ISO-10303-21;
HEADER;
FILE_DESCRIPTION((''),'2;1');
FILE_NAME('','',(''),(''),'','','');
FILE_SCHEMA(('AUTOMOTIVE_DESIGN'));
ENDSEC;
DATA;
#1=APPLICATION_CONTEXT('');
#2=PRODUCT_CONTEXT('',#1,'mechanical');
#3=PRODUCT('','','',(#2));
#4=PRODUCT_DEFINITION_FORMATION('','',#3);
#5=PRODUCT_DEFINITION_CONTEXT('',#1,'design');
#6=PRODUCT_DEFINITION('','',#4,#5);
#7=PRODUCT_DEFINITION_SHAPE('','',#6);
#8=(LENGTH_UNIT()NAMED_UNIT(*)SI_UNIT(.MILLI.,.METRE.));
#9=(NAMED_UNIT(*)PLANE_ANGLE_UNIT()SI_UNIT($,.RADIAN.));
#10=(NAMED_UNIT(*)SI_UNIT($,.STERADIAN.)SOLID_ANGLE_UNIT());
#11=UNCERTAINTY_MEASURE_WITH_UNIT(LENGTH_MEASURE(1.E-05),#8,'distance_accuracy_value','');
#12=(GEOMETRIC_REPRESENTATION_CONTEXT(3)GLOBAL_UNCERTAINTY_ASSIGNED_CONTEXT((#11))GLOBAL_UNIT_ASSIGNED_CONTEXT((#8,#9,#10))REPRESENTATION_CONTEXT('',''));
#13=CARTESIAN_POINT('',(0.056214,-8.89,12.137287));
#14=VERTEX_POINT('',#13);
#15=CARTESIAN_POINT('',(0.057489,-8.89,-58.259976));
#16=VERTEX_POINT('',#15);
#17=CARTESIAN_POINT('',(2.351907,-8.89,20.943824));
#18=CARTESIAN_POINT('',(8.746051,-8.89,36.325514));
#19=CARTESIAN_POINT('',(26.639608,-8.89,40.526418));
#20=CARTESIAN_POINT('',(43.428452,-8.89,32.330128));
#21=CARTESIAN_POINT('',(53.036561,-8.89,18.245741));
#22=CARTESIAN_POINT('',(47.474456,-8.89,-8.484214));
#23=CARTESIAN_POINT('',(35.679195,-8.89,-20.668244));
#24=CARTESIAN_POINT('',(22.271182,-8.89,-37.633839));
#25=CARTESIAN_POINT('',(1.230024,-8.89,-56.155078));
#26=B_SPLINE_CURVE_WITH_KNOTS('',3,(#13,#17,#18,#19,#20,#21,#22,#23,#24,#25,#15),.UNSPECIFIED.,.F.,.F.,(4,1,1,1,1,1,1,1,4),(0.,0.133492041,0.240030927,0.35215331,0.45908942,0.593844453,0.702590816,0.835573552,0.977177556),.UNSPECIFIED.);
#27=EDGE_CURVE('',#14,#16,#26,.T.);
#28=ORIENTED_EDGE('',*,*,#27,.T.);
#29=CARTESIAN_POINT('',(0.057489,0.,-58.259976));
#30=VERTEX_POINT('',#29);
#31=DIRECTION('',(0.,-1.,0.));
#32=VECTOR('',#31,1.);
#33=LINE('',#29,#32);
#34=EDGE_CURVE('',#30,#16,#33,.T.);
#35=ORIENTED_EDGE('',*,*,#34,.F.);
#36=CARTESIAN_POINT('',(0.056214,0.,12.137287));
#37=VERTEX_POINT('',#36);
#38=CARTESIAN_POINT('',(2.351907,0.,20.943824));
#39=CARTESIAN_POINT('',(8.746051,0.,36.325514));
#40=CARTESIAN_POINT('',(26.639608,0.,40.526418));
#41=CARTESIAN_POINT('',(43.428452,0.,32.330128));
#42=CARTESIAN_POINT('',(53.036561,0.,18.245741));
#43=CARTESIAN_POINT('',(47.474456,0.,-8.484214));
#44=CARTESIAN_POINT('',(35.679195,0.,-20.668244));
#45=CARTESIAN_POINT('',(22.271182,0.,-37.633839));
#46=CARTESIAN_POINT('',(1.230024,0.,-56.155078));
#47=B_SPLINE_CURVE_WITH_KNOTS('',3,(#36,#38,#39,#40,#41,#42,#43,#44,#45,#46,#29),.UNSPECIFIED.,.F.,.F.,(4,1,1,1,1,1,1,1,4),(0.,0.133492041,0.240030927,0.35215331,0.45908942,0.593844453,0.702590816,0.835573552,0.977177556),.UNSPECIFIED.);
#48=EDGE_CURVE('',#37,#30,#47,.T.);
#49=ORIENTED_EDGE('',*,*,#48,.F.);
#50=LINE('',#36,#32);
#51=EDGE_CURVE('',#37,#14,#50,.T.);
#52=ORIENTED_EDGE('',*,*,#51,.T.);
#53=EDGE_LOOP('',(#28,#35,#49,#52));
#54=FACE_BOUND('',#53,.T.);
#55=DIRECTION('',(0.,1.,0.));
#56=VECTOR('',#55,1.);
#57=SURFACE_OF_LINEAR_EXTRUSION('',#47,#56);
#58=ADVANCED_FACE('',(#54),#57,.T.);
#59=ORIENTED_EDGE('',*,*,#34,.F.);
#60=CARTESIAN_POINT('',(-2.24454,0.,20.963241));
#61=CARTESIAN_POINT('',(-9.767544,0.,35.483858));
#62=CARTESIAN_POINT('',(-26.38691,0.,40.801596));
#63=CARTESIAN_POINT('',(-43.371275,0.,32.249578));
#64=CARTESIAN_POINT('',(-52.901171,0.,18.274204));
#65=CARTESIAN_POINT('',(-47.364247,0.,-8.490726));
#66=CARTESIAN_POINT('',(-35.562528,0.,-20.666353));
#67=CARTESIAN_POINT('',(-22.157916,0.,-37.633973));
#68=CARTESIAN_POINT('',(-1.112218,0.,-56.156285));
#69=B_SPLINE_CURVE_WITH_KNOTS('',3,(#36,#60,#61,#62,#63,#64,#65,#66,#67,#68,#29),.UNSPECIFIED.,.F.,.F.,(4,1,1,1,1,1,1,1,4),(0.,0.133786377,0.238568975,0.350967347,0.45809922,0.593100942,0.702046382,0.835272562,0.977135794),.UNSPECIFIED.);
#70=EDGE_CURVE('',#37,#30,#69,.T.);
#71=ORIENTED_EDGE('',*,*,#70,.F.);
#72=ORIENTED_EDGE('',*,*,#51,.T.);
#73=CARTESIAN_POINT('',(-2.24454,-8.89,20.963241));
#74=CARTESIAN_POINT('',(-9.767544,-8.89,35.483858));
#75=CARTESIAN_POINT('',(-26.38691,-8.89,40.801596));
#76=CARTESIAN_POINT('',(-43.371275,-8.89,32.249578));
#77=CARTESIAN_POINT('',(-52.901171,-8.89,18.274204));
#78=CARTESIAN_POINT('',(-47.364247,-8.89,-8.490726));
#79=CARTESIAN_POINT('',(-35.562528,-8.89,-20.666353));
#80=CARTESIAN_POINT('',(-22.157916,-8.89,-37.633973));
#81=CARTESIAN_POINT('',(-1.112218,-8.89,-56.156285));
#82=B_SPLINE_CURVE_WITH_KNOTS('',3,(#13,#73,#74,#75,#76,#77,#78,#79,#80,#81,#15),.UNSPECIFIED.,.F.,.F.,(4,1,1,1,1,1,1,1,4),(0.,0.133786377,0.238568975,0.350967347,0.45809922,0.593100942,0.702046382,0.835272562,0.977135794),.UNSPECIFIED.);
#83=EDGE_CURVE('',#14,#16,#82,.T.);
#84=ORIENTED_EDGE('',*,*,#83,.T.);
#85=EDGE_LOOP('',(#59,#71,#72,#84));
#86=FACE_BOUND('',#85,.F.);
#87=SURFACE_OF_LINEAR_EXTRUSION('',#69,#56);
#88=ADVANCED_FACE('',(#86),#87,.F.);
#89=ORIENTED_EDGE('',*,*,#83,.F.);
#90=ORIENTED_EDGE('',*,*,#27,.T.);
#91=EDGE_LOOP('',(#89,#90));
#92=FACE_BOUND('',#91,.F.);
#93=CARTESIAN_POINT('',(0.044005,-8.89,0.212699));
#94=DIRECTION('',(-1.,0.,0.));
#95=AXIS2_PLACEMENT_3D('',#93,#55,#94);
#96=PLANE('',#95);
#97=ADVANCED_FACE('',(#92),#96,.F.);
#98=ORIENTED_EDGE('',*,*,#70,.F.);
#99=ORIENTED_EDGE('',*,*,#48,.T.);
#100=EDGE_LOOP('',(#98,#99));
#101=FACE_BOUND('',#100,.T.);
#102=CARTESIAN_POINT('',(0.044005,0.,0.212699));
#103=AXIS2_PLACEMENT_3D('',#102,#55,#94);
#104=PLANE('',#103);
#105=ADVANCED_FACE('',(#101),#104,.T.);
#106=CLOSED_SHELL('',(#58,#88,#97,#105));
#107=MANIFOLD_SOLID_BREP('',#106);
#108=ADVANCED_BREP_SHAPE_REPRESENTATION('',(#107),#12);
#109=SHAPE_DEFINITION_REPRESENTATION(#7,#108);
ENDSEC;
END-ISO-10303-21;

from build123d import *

# Parameters (mm, degrees)
F1_DEPTH = 8.89


with BuildPart() as f1:
    # F0 (on Front) → F1 (new body)
    with BuildSketch(Plane.XZ):
        with BuildLine():
            add(Edge.make_bspline(
                [(0.0562144718, 12.1372868188), (2.3519074725, 20.9438238166), (8.7460511995, 36.3255138099), (26.6396075922, 40.526418146), (43.4284517648, 32.3301275689), (53.0365612832, 18.245741223), (47.4744564312, -8.484214367), (35.6791954396, -20.6682438297), (22.271181512, -37.6338386949), (1.2300235612, -56.1550780409), (0.0574891655, -58.2599759082)],
                knots=[0, 0, 0, 0, 0.1334920413, 0.2400309268, 0.3521533097, 0.4590894201, 0.5938444531, 0.7025908162, 0.8355735517, 0.9771775563, 0.9771775563, 0.9771775563, 0.9771775563], degree=3))
            add(Edge.make_bspline(
                [(0.0562144718, 12.1372868188), (-2.2445402923, 20.9632413109), (-9.7675439936, 35.4838577493), (-26.3869099211, 40.8015959087), (-43.3712747526, 32.24957842), (-52.9011706239, 18.274204153), (-47.364247084, -8.4907256836), (-35.5625280032, -20.6663525195), (-22.1579161397, -37.6339730723), (-1.1122181114, -56.1562847639), (0.0574891655, -58.2599759082)],
                knots=[0, 0, 0, 0, 0.1337863773, 0.2385689745, 0.3509673467, 0.4580992197, 0.5931009421, 0.7020463819, 0.8352725623, 0.9771357943, 0.9771357943, 0.9771357943, 0.9771357943], degree=3))
        make_face()
    extrude(amount=F1_DEPTH)


solid = f1.part
